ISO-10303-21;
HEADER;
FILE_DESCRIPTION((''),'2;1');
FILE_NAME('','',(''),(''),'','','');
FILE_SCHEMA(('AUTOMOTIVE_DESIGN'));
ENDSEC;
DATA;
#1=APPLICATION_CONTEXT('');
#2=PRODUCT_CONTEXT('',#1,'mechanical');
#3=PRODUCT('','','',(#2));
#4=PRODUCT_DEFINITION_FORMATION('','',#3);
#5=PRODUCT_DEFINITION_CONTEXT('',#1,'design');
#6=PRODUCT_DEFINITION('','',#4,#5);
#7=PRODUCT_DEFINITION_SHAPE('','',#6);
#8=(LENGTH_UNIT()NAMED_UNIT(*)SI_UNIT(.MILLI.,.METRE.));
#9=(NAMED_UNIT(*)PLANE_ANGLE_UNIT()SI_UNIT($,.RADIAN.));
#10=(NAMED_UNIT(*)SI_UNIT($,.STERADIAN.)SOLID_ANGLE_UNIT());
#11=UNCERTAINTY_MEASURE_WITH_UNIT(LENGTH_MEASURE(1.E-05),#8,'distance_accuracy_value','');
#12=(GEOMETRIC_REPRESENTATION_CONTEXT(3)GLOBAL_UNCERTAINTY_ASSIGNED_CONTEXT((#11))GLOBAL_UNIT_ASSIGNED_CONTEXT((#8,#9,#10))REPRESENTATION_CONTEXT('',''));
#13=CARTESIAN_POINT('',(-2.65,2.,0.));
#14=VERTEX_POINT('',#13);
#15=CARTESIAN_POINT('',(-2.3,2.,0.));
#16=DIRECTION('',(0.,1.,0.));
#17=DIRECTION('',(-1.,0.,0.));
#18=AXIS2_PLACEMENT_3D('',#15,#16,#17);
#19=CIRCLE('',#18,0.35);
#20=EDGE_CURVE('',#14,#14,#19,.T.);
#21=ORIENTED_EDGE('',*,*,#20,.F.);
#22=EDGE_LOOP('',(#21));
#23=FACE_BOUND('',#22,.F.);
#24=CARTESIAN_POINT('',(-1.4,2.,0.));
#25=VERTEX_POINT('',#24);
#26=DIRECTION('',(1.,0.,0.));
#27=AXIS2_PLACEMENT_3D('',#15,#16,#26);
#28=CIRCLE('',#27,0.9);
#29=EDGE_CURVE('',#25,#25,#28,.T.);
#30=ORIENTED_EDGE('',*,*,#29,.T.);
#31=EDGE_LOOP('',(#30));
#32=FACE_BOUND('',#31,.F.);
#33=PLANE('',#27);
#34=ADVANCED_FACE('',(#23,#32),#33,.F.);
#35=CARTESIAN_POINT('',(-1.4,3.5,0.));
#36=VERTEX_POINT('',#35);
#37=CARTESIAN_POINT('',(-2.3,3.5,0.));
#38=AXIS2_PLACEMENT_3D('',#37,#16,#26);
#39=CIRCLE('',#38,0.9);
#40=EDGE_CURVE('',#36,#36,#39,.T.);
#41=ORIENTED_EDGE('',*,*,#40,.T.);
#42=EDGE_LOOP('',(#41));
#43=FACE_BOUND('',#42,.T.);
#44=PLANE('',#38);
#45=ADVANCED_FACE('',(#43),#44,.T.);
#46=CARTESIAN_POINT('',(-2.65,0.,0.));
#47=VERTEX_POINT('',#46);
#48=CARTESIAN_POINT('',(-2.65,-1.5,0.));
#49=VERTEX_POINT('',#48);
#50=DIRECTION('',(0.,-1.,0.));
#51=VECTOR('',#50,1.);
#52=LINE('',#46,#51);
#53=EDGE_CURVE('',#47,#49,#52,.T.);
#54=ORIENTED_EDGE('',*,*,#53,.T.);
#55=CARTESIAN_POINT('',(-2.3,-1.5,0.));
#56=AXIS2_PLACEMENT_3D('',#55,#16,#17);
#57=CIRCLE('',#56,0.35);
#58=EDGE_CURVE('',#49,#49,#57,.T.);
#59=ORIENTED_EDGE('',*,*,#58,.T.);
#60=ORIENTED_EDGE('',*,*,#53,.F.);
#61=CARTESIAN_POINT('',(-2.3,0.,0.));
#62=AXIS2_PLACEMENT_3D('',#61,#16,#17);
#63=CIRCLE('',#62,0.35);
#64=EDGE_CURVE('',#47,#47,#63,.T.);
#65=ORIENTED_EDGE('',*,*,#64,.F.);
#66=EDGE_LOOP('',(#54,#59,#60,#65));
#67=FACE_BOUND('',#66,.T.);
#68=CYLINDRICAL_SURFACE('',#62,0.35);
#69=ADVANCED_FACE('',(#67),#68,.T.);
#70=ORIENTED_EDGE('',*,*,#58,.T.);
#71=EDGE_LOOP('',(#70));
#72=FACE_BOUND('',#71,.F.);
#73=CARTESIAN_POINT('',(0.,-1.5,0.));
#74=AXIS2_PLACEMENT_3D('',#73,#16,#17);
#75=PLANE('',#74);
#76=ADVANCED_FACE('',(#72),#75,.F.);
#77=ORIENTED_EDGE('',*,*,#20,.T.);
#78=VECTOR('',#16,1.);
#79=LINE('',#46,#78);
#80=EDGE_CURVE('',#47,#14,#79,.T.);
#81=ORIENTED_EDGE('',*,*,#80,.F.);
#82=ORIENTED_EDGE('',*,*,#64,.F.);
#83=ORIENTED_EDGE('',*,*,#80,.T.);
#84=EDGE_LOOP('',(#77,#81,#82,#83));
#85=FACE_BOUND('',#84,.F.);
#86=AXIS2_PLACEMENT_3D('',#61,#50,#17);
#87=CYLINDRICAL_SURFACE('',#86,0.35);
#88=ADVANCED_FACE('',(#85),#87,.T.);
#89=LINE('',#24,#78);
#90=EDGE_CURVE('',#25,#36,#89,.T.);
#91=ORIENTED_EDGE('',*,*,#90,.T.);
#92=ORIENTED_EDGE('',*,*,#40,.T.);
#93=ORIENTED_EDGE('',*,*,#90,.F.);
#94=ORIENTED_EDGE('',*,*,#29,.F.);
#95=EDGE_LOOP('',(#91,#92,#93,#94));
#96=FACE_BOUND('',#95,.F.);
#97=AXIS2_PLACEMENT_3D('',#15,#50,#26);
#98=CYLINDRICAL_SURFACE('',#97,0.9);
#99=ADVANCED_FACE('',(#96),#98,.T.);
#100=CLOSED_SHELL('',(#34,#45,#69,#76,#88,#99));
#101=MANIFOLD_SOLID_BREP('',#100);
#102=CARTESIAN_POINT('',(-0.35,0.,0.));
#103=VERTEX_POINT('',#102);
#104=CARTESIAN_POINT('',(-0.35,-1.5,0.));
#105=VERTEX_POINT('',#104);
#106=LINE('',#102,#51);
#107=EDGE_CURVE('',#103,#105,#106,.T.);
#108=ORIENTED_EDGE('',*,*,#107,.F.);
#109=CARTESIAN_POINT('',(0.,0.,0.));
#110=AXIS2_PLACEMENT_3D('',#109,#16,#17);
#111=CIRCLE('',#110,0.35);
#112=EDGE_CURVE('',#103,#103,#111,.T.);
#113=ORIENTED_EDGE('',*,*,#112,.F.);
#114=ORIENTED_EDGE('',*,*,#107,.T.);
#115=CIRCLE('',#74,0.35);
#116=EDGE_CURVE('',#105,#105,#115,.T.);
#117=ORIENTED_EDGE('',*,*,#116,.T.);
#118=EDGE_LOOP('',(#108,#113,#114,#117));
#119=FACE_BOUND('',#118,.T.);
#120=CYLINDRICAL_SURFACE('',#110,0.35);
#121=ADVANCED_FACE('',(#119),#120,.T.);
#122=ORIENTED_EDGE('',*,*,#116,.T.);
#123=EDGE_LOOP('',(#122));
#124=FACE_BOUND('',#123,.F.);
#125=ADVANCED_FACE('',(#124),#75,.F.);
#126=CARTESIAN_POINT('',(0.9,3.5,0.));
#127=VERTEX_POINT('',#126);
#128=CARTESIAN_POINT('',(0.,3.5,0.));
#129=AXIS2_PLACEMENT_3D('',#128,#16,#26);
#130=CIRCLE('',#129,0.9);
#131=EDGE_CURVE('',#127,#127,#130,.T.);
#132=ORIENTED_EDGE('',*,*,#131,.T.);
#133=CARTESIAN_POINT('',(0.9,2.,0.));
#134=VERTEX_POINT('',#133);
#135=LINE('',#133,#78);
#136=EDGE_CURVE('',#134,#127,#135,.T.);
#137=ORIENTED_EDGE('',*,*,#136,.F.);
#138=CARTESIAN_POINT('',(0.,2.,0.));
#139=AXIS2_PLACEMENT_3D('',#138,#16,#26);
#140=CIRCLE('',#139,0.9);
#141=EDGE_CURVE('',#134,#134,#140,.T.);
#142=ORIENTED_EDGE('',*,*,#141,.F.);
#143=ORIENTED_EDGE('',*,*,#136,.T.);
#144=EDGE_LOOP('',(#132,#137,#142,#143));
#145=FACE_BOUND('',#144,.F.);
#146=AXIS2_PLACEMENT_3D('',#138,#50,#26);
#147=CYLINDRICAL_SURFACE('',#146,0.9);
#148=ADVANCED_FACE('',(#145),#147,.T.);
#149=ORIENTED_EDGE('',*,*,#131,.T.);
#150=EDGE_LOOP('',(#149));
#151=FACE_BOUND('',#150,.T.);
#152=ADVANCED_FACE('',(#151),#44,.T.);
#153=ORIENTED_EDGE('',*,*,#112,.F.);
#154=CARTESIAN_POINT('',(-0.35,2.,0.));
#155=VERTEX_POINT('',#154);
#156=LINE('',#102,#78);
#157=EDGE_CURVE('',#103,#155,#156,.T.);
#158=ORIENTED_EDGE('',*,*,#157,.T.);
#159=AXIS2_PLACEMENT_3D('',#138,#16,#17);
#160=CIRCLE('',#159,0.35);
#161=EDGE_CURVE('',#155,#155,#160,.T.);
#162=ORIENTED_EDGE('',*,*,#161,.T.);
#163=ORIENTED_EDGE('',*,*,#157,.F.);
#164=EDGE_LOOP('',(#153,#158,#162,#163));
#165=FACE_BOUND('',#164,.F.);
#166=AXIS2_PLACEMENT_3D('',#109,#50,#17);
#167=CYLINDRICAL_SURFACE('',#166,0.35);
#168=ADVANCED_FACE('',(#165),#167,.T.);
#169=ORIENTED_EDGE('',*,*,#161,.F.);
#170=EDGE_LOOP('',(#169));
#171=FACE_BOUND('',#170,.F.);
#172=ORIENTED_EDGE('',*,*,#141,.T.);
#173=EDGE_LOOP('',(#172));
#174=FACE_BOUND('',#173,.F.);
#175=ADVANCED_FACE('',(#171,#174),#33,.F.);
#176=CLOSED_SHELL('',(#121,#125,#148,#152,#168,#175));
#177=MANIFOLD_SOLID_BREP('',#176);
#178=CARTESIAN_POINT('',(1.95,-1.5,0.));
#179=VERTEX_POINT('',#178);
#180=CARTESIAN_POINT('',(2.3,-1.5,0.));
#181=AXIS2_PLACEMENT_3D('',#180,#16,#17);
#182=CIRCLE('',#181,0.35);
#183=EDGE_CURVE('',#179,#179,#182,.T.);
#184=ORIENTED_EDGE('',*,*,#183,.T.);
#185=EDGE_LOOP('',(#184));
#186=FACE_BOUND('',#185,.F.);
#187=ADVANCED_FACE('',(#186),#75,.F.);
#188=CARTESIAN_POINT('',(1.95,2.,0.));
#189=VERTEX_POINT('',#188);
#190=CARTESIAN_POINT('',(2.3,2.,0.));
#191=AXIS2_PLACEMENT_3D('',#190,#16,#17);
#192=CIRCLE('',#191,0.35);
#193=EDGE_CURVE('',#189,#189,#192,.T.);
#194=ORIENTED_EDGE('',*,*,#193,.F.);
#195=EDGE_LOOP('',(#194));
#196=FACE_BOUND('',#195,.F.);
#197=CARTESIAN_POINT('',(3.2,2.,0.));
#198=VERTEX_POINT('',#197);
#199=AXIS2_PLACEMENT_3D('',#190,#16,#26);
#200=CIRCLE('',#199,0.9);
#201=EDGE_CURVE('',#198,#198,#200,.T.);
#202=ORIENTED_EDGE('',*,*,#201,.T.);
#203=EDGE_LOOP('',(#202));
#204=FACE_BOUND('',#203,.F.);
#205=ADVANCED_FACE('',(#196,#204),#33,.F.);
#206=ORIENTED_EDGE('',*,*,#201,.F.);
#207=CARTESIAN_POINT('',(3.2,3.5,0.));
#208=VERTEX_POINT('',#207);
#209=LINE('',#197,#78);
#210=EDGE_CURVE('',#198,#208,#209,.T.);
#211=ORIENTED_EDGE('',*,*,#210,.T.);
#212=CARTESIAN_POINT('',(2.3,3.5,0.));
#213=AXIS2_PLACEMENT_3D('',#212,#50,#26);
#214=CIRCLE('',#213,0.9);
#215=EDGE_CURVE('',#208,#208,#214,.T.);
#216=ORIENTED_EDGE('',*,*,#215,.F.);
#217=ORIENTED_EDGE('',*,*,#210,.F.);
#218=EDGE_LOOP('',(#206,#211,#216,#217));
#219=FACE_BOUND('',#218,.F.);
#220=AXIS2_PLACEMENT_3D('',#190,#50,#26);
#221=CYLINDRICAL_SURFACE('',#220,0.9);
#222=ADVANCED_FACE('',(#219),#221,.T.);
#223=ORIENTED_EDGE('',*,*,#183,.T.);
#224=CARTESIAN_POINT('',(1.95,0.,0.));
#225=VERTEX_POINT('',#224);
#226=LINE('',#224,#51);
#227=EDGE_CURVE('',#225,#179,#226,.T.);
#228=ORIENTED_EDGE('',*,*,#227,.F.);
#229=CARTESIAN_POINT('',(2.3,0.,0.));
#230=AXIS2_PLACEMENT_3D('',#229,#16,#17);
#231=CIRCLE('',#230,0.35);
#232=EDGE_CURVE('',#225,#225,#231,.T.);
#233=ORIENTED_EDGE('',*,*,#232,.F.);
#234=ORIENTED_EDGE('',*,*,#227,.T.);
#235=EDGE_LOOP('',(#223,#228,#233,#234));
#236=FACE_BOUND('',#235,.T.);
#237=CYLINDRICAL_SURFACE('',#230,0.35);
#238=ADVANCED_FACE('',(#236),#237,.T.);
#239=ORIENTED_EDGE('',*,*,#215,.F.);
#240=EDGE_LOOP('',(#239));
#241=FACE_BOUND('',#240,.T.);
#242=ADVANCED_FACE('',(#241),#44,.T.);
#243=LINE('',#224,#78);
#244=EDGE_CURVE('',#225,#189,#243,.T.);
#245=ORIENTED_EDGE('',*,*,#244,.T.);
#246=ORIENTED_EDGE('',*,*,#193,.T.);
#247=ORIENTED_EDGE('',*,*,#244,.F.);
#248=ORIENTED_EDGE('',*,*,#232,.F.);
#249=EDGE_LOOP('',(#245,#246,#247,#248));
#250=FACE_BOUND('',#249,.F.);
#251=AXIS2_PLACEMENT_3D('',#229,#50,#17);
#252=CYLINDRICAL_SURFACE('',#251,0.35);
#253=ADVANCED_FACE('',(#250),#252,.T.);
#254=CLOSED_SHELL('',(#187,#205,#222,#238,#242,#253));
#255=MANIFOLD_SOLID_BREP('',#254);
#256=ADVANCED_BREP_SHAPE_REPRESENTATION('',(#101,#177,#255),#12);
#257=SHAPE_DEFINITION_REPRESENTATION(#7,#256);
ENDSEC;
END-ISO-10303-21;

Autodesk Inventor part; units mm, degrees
ref_plane "YZ Plane" through (0, 0, 0) normal (1, 0, 0) x (0, 1, 0)
ref_plane "XZ Plane" through (0, 0, 0) normal (0, 1, 0) x (-1, 0, 0)
ref_plane "XY Plane" through (0, 0, 0) normal (0, 0, 1) x (1, 0, 0)
sketch "Sketch1" plane through (0, 0, 0) normal (0, 1, 0) x (-1, 0, 0)
  line L0 (-5.4, 3.15) -> (5.4, 3.15)
  line L1 (8.55, 0) -> (8.55, 0)
  line L2 (5.4, -3.15) -> (-5.4, -3.15)
  line L3 (-8.55, 0) -> (-8.55, 0)
  line L4 (-8.55, 3.15) -> (8.55, -3.15) construction
  line L5 (8.55, 3.15) -> (-8.55, -3.15) construction
  arc A0 (8.55, 0) -> (5.4, 3.15) centre (5.4, 0) ccw
  arc A1 (5.4, -3.15) -> (8.55, 0) centre (5.4, 0) ccw
  arc A2 (-5.4, 3.15) -> (-8.55, 0) centre (-5.4, 0) ccw
  arc A3 (-8.55, 0) -> (-5.4, -3.15) centre (-5.4, 0) ccw
  line L6 (5.4, 2.3494) -> (-5.4, 2.3494)
  line L7 (-7.75, -0.0006) -> (-7.75, 0.0006)
  line L8 (-5.4, -2.3494) -> (5.4, -2.3494)
  line L9 (7.75, 0.0006) -> (7.75, -0.0006)
  line L10 (7.75, 2.3494) -> (-7.75, -2.3494) construction
  line L11 (-7.75, 2.3494) -> (7.75, -2.3494) construction
  arc A4 (-5.4, 2.3494) -> (-7.75, -0.0006) centre (-5.4, -0.0006) ccw
  arc A5 (-7.75, 0.0006) -> (-5.4, -2.3494) centre (-5.4, 0.0006) ccw
  arc A6 (7.75, -0.0006) -> (5.4, 2.3494) centre (5.4, -0.0006) ccw
  arc A7 (5.4, -2.3494) -> (7.75, 0.0006) centre (5.4, 0.0006) ccw
  circle A8 centre (5.4, 0.0006) radius 1.5
  circle A9 centre (-5.4, 0.0006) radius 1.5
  circle A10 centre (2.3, 0) radius 0.9
  circle A11 centre (0, 0) radius 0.9
  circle A12 centre (-2.3, 0) radius 0.9
  circle A13 centre (2.3, 0) radius 0.35
  circle A14 centre (0, 0) radius 0.35
  circle A15 centre (-2.3, 0) radius 0.35
  point P0 (0, 0)
  dimension "d0" = 17.1
  dimension "d1" = 6.3
  dimension "d2" = 3.15
  dimension "d3" = 0.801
  dimension "d4" = 0.8
  dimension "d5" = 2.35
  dimension "d6" = 3
  dimension "d7" = 3
  dimension "d8" = 1.8
  dimension "d9" = 1.8
  dimension "d10" = 1.8
  dimension "d11" = 4.6
  dimension "d12" = 0.7
  dimension "d13" = 0.7
  dimension "d14" = 0.7
extrude "Extrusion1" add sketch "Sketch1" along normal blind 2 and the other way blind 1.5 contours A13 | A14 | A15
sketch "Sketch2" plane through (-2.3, 2, 0) normal (0, 1, 0) x (1, 0, 0)
  circle A0 centre (0, 0) radius 0.9
  circle A1 centre (2.3, 0) radius 0.9
  line L0 (2.3, 0) -> (4.6, 0)
  circle A2 centre (4.6, 0) radius 0.9
  dimension "d21" = 1.8
  dimension "d22" = 1.8
  dimension "d23" = 2.3
  dimension "d24" = 1.8
  dimension "d25" = 2.3
extrude "Extrusion2" add sketch "Sketch2" along normal blind 1.5
properties part number "Pogo_Pin1" material "Copper"
